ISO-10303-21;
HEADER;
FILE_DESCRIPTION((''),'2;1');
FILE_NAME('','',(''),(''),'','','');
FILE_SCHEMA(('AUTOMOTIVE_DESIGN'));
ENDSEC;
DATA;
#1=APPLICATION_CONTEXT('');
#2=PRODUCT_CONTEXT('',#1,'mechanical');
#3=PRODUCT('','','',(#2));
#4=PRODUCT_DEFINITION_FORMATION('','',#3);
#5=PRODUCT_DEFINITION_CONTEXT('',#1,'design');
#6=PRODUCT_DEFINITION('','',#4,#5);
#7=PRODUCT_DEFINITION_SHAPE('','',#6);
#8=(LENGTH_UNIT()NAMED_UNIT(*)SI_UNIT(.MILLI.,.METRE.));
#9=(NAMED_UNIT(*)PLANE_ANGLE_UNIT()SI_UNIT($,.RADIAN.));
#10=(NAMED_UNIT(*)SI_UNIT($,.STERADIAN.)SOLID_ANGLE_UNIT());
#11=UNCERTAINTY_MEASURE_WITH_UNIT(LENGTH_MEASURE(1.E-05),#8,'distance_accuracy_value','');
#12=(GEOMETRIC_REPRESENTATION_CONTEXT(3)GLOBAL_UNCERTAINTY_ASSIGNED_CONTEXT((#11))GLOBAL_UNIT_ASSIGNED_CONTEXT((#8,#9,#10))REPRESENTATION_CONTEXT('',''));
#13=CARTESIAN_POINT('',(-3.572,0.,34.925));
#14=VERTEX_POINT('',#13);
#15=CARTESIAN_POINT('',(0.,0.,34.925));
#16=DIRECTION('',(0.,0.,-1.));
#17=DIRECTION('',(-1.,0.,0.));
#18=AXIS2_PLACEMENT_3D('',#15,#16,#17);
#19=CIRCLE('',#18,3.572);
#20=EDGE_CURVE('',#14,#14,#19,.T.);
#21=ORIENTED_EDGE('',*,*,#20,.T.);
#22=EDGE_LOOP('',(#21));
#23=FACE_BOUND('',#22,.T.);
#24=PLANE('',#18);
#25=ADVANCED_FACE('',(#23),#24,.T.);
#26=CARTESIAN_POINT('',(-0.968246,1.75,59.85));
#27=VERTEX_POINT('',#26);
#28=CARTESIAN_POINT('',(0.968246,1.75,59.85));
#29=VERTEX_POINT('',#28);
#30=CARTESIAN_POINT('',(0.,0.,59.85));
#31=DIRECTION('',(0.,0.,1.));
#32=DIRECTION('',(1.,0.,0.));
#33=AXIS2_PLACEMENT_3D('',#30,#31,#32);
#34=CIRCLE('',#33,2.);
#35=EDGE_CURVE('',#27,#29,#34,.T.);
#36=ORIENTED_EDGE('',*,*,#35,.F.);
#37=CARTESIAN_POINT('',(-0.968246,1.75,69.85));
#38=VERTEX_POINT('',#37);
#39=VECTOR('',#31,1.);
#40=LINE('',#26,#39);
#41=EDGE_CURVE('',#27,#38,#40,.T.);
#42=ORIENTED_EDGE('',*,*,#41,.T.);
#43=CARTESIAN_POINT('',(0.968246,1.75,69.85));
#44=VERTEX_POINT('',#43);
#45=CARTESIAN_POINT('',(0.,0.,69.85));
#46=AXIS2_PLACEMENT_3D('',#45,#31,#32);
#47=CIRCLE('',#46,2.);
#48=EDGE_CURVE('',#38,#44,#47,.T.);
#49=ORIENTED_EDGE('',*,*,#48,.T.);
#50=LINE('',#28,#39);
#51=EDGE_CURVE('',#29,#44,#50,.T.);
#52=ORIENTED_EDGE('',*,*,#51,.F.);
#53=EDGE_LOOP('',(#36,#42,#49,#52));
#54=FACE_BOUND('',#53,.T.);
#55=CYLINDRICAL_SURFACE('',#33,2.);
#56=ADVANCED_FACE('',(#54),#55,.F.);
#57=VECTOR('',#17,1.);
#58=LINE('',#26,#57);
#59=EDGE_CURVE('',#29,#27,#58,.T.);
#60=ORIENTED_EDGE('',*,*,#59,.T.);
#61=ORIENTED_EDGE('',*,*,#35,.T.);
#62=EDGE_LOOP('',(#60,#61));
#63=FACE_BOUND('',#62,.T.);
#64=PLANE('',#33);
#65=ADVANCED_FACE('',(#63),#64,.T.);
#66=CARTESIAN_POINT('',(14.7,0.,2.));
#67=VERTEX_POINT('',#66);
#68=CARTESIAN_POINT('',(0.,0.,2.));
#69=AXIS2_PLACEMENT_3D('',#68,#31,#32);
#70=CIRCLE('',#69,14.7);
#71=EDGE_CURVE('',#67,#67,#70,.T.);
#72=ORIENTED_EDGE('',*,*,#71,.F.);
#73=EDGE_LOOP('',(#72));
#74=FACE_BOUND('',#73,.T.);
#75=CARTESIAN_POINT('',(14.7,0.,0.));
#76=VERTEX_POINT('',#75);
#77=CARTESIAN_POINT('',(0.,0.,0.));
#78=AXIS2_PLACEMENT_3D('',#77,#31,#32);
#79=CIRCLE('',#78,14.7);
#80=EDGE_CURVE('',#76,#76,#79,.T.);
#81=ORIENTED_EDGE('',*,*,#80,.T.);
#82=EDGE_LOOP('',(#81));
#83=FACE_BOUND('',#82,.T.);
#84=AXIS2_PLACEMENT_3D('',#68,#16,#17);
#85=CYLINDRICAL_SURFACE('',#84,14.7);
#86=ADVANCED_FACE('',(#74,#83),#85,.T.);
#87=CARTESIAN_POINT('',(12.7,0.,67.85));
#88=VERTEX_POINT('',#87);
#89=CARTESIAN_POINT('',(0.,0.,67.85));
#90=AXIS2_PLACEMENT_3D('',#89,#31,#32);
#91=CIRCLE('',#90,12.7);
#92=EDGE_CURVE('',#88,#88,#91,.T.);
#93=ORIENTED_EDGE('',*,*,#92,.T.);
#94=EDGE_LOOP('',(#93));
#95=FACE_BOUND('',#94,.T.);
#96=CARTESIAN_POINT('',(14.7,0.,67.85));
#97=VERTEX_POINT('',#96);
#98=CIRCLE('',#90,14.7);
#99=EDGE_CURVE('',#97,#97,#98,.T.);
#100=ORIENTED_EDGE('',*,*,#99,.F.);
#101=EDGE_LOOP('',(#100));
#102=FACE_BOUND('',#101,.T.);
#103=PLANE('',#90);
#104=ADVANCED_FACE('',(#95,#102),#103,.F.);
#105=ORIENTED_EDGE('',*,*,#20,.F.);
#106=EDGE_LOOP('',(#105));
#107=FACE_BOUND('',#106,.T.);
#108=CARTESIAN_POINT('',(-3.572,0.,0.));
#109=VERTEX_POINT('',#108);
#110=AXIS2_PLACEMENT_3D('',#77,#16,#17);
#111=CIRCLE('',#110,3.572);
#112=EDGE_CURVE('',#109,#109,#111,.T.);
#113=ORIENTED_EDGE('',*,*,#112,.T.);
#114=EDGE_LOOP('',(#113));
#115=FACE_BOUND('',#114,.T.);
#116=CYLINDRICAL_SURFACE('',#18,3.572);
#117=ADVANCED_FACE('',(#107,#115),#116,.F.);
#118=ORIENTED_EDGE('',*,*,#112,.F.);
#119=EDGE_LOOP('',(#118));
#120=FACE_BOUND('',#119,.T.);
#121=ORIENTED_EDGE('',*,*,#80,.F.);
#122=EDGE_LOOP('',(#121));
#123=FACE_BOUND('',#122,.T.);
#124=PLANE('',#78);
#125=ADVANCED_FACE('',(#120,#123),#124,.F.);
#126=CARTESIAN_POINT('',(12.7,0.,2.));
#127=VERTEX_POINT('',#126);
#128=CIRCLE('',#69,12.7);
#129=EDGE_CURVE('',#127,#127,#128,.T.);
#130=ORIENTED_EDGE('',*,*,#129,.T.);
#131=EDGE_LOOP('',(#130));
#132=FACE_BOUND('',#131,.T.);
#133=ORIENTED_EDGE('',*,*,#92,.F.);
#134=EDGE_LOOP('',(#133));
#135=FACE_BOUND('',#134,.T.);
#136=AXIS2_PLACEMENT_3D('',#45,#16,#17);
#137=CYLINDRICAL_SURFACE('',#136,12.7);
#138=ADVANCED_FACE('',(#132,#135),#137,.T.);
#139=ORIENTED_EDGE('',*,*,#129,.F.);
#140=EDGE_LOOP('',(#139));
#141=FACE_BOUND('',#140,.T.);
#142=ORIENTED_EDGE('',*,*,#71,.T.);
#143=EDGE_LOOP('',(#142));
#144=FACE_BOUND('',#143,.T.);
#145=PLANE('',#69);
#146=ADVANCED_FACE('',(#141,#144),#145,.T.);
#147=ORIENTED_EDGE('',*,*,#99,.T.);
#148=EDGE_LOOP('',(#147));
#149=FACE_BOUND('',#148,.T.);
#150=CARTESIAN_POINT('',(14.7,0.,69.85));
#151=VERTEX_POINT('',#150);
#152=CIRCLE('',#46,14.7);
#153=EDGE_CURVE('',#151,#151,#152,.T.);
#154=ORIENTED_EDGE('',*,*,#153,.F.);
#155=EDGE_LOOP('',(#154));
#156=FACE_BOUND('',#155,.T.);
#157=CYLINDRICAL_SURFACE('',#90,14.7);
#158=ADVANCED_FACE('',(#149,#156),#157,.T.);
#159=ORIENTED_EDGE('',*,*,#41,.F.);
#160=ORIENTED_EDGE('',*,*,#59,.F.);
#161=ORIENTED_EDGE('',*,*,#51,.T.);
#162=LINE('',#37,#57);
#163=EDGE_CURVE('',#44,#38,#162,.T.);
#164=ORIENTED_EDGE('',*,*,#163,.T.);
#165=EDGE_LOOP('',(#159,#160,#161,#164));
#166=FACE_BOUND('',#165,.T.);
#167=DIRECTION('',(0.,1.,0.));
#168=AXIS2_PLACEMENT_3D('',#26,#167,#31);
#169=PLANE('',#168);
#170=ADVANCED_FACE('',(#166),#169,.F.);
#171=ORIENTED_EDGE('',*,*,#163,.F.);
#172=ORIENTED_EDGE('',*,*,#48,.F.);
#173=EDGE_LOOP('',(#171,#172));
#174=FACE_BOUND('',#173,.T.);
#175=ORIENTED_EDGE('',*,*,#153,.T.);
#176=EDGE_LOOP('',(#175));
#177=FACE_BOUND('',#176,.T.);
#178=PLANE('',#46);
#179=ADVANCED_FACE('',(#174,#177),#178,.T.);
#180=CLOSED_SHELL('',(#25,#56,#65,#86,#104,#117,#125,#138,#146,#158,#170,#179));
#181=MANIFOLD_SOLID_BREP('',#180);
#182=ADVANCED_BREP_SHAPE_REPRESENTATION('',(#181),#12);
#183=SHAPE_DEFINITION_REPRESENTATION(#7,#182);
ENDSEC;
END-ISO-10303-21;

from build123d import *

# Parameters (mm, degrees)
SKETCH1_R           = 12.7
BOSS_EXTRUDE1_DEPTH = 69.85
CUT_EXTRUDE1_DEPTH  = 10
SKETCH3_R           = 3.571999968
CUT_EXTRUDE2_DEPTH  = 34.925
SKETCH5_R           = 14.7
SKETCH5_R_2         = 3.572
BOSS_EXTRUDE2_DEPTH = 2
BOSS_EXTRUDE5_START = 69.85
SKETCH8_R           = 14.7
BOSS_EXTRUDE5_DEPTH = 2


with BuildPart() as part:
    # Sketch1 → Boss-Extrude1 (new body)
    with BuildSketch(Plane.XY):
        Circle(SKETCH1_R)
    extrude(amount=BOSS_EXTRUDE1_DEPTH)

    # Sketch2 → Cut-Extrude1 (cut)
    with BuildSketch(Plane.XY.offset(69.85)):
        with BuildLine():
            Line((-0.968245837, 1.75), (0.968245837, 1.75))
            ThreePointArc((0.968245837, 1.75), (0, -2), (-0.968245837, 1.75))
        make_face()
    extrude(amount=-CUT_EXTRUDE1_DEPTH, mode=Mode.SUBTRACT)

    # Sketch3 → Cut-Extrude2 (cut)
    with BuildSketch(Plane(origin=(0, 0, 0), x_dir=(-1, 0, 0), z_dir=(0, 0, -1))):
        Circle(SKETCH3_R)
    extrude(amount=-CUT_EXTRUDE2_DEPTH, mode=Mode.SUBTRACT)

    # Sketch5 → Boss-Extrude2 (add)
    with BuildSketch(Plane.XY):
        Circle(SKETCH5_R)
        with Locations(Location((0, 0, 0), (0, 0, 180))):
            Circle(SKETCH5_R_2, mode=Mode.SUBTRACT)
    extrude(amount=BOSS_EXTRUDE2_DEPTH)

    # Sketch8 → Boss-Extrude5 (add)
    with BuildSketch(Plane.XY.offset(BOSS_EXTRUDE5_START)):
        Circle(SKETCH8_R)
        with BuildLine():
            Line((-0.968245837, 1.75), (0.968245837, 1.75))
            ThreePointArc((0.968245837, 1.75), (0, -2), (-0.968245837, 1.75))
        make_face(mode=Mode.SUBTRACT)
    extrude(amount=-BOSS_EXTRUDE5_DEPTH)


solid = part.part
